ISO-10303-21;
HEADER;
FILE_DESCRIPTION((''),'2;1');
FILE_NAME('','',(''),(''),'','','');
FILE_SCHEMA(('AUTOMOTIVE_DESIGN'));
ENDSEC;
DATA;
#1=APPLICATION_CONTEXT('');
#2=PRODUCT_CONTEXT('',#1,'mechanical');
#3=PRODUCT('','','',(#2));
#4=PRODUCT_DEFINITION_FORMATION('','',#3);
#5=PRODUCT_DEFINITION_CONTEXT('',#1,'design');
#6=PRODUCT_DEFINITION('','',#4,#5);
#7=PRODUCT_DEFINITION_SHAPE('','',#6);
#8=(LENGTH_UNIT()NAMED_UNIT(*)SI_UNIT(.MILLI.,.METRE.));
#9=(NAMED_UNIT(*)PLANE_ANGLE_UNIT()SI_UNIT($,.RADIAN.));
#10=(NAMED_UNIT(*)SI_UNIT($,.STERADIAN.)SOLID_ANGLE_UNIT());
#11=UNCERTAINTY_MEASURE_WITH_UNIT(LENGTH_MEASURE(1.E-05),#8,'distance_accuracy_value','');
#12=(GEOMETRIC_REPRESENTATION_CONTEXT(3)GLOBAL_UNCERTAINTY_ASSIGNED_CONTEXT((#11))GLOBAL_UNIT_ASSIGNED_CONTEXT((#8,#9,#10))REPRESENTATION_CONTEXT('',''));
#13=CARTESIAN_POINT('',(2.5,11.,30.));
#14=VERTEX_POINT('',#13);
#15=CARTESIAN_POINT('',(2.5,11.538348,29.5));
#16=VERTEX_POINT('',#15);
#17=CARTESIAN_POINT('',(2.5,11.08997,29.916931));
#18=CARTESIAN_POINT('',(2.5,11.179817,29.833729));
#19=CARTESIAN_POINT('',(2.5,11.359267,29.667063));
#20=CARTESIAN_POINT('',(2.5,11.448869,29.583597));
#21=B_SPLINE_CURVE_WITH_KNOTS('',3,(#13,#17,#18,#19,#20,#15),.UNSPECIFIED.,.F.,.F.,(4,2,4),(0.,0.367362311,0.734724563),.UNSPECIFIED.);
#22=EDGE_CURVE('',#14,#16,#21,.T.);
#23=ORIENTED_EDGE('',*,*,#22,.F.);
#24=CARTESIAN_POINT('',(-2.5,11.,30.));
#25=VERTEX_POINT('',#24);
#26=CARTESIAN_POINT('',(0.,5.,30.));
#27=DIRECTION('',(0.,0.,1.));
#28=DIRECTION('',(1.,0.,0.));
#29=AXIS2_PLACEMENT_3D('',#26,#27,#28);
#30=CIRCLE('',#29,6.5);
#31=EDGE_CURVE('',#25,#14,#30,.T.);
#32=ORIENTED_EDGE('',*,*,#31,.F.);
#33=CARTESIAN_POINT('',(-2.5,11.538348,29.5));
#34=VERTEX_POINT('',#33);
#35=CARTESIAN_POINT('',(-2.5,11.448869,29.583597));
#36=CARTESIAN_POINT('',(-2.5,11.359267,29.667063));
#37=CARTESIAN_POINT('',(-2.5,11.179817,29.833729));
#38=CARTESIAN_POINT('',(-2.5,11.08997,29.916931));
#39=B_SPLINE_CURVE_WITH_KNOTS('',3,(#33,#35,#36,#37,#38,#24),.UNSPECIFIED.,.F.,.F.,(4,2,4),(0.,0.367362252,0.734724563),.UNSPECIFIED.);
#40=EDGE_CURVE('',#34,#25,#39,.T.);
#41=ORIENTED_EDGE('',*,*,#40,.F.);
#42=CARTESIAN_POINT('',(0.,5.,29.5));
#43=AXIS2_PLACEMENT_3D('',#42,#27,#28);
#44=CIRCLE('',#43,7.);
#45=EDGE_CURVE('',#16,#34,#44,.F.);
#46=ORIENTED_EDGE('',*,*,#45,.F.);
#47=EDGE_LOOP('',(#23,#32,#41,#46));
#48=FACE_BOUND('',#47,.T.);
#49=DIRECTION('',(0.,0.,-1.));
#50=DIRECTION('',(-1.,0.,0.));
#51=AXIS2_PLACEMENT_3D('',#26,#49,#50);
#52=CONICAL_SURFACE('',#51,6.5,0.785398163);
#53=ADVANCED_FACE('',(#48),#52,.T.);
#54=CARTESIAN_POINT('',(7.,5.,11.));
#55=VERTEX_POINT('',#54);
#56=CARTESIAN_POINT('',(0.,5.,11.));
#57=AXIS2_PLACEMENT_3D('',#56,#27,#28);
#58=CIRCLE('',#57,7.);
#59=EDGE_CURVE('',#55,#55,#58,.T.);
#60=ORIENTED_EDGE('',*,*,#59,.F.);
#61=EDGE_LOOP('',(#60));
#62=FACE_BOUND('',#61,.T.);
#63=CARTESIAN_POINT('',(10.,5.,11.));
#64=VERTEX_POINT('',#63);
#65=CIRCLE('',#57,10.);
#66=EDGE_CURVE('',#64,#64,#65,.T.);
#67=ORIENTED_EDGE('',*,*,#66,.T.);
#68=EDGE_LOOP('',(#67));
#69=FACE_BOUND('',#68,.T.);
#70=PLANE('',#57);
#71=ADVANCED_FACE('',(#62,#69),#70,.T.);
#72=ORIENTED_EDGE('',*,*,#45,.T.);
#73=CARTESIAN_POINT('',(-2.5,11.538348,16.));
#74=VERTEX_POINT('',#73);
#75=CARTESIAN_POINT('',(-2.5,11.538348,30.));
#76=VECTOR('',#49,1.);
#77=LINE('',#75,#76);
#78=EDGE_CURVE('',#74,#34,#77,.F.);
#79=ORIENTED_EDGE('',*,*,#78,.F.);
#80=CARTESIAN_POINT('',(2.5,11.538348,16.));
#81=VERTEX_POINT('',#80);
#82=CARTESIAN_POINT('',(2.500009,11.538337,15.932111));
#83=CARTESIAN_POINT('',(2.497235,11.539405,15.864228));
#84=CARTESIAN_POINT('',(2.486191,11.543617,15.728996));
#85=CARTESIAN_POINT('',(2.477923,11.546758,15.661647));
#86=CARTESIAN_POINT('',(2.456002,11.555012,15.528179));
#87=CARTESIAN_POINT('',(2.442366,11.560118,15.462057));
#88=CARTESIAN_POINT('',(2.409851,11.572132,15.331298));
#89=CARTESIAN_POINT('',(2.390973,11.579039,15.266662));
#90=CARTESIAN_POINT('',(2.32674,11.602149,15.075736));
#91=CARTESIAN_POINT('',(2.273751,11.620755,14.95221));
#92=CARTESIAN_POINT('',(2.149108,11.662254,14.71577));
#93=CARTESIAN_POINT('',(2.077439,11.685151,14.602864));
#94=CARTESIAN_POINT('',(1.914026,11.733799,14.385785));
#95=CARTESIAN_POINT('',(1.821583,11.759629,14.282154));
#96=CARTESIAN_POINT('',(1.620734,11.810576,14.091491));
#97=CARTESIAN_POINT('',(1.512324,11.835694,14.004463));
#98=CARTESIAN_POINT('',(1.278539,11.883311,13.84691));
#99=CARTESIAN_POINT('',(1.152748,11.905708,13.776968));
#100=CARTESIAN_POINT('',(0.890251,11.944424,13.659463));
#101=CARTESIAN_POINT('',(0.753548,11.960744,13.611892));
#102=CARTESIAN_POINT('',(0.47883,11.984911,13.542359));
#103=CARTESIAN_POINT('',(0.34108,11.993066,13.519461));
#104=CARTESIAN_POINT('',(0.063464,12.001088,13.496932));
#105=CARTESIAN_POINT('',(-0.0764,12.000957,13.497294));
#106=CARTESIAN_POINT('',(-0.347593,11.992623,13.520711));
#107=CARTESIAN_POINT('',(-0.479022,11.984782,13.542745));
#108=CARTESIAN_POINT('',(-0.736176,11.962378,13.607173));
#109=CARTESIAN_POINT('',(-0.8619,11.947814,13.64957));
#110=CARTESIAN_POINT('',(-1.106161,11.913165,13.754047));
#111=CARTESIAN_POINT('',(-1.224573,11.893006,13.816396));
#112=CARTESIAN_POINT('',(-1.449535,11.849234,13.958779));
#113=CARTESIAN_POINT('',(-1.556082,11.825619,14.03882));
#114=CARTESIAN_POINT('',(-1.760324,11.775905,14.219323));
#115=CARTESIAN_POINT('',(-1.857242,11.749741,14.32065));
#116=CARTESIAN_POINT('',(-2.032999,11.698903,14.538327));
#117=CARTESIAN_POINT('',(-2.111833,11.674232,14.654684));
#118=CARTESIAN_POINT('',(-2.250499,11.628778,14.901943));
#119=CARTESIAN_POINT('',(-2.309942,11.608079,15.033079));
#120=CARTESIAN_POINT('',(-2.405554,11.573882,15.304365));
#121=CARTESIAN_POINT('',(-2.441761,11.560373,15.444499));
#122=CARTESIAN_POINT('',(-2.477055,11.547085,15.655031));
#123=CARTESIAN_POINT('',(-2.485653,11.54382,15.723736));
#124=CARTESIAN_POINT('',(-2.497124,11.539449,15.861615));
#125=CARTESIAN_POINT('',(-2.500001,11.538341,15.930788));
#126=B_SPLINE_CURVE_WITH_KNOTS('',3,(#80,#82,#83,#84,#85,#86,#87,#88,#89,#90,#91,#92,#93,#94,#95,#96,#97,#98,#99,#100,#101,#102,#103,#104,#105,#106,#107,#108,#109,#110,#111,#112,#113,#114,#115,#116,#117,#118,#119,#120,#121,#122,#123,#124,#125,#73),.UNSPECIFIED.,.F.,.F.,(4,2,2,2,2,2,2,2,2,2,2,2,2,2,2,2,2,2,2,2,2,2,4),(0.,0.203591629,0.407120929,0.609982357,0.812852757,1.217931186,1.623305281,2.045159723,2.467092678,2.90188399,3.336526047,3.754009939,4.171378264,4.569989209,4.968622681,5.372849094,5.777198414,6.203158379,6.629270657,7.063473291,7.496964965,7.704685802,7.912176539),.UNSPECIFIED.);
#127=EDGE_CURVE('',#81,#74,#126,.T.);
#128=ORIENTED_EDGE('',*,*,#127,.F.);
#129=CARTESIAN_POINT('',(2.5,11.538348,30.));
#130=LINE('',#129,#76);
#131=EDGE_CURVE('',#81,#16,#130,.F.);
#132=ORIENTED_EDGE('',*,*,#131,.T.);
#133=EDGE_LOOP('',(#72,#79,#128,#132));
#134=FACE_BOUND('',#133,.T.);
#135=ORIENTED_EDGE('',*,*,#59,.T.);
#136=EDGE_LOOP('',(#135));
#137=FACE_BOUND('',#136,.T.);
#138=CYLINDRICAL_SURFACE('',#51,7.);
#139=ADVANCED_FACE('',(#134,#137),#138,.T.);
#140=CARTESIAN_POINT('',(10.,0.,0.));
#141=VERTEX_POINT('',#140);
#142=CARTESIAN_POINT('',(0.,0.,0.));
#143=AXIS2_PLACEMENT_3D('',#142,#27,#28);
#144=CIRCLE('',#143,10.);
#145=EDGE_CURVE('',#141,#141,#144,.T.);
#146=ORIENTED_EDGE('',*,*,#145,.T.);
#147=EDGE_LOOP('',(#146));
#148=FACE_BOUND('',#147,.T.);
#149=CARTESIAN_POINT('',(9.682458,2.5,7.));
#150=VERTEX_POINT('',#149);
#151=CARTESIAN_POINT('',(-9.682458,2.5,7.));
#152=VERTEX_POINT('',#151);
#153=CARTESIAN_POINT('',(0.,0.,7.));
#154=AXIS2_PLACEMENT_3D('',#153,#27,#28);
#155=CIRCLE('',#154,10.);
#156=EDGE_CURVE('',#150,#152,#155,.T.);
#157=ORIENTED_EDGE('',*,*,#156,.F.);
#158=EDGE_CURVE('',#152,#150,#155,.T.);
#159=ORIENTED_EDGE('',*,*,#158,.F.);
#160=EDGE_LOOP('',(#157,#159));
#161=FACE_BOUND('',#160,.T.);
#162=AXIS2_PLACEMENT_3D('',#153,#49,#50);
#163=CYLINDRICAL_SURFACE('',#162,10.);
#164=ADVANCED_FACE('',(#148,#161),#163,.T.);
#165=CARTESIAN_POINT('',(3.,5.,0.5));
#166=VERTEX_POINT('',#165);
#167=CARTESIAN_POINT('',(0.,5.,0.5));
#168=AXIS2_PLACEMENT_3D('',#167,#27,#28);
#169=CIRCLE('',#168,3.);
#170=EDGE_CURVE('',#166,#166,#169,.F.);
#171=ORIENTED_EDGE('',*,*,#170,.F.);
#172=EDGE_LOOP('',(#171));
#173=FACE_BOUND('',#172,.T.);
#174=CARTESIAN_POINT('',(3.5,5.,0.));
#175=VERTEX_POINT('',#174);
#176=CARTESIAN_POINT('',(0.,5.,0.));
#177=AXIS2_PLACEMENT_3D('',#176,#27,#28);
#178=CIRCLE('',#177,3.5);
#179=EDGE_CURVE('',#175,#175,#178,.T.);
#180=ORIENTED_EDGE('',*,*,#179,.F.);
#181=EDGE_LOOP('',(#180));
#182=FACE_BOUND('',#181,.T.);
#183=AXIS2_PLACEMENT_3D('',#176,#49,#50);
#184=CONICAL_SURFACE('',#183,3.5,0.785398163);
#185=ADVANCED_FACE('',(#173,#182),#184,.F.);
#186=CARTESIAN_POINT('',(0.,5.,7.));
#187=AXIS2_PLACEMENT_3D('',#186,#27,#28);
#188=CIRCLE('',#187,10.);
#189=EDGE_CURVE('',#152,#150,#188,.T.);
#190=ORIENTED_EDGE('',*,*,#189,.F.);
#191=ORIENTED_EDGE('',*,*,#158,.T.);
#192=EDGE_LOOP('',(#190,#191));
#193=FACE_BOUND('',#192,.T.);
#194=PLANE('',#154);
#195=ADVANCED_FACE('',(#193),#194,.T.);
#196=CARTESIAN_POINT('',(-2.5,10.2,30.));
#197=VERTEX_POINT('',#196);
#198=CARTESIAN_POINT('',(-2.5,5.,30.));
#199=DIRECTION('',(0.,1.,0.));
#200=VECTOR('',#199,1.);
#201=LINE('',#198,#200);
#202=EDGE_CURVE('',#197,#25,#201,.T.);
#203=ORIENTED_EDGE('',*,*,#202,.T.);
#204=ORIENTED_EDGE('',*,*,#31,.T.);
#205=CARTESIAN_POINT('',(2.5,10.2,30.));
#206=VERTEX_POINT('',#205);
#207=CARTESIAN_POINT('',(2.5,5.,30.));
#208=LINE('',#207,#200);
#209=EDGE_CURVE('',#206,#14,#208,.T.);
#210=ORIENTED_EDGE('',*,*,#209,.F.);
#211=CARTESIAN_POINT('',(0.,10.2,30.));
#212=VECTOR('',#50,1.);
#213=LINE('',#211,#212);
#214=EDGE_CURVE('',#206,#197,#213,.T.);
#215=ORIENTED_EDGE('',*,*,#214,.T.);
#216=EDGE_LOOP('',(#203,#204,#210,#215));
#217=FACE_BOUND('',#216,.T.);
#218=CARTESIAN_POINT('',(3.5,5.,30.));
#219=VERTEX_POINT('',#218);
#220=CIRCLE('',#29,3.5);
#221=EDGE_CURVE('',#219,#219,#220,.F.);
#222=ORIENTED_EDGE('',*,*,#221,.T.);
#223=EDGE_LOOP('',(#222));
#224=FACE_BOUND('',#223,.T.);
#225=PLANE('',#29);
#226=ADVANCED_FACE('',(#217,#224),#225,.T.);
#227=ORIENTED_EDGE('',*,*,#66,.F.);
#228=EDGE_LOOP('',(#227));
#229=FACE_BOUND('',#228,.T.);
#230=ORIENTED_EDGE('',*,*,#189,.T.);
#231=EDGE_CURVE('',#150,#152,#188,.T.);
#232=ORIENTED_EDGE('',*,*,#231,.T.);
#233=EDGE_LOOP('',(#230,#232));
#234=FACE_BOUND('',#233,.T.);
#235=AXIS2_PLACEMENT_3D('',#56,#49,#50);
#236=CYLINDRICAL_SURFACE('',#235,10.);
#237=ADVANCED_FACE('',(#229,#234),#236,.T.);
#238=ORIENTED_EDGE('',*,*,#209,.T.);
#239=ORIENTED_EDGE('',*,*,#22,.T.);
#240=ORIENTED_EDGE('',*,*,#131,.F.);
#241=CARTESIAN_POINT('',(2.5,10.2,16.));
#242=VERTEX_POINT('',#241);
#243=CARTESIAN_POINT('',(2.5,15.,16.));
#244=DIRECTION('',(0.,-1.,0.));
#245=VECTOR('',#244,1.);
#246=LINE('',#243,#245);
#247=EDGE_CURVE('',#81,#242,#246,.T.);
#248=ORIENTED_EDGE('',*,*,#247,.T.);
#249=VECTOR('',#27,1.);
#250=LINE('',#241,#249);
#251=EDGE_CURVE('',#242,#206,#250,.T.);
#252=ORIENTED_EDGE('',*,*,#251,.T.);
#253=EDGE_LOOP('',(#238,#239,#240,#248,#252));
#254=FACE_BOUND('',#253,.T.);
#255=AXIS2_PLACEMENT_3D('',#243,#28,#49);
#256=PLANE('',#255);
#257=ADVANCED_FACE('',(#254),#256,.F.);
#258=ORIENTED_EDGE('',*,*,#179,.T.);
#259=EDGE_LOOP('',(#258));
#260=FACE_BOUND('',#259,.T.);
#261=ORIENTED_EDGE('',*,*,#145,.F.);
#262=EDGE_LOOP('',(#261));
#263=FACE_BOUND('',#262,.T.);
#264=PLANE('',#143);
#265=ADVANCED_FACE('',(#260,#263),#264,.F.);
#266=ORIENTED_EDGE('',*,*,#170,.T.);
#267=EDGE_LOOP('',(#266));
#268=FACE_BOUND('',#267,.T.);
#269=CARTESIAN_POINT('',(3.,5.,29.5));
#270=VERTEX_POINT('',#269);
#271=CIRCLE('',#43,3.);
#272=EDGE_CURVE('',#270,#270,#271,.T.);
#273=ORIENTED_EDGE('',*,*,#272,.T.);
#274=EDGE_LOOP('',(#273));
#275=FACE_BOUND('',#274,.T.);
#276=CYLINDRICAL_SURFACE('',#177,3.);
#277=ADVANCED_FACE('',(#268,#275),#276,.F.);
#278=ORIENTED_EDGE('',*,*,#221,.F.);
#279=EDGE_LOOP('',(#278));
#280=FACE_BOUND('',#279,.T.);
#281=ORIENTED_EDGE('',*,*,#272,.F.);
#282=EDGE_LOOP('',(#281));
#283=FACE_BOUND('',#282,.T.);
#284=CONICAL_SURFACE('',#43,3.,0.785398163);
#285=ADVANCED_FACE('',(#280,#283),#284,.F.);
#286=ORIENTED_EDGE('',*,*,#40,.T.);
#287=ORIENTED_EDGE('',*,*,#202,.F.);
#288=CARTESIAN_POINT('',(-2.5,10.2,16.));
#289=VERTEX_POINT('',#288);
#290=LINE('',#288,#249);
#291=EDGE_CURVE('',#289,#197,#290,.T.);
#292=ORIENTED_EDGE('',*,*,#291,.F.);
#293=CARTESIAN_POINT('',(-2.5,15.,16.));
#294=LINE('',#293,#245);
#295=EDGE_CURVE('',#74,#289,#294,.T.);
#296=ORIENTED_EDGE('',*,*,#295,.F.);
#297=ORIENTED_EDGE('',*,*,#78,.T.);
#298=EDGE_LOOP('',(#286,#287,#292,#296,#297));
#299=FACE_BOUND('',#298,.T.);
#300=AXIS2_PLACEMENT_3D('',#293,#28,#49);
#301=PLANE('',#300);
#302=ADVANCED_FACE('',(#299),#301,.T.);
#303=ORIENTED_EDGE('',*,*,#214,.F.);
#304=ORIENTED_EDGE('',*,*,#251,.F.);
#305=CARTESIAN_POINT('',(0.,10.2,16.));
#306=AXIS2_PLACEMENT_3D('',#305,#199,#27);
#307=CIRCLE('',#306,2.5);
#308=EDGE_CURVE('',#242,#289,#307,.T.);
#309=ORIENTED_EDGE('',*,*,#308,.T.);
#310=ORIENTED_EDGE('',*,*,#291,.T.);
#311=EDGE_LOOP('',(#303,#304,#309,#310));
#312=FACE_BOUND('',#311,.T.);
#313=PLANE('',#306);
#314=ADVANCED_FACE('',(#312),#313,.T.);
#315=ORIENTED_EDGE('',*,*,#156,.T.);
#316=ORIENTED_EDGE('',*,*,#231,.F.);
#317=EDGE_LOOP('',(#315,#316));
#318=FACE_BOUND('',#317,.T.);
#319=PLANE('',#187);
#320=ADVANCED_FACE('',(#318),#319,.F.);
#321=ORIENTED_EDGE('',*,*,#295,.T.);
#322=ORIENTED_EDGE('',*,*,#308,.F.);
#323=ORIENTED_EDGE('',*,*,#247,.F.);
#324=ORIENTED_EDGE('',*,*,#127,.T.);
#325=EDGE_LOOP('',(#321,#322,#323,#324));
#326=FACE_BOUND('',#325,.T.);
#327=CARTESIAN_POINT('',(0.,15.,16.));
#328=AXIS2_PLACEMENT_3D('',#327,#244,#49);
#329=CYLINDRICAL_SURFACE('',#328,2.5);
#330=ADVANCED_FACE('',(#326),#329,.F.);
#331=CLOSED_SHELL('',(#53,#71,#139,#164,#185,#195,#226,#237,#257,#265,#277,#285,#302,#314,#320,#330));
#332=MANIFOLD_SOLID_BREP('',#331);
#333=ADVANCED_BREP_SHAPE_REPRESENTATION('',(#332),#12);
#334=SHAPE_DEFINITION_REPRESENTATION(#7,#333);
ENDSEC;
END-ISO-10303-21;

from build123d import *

# Parameters (mm, degrees)
SKETCH2_R           = 10
BOSS_EXTRUDE1_DEPTH = 7
SKETCH3_R           = 10
BOSS_EXTRUDE2_DEPTH = 4
SKETCH4_R           = 7
BOSS_EXTRUDE3_DEPTH = 19
SKETCH5_R           = 3
CUT_EXTRUDE1_DEPTH  = 31
CHAMFER1_SIZE       = 0.5
CUT_EXTRUDE3_START  = 10.2
CUT_EXTRUDE3_DEPTH  = 5.8
CHAMFER2_SIZE       = 0.5


with BuildPart() as part:
    # Sketch2 → Boss-Extrude1 (new body)
    with BuildSketch(Plane.XY):
        Circle(SKETCH2_R)
    extrude(amount=BOSS_EXTRUDE1_DEPTH)

    # Sketch3 → Boss-Extrude2 (add)
    with BuildSketch(Plane.XY.offset(7)):
        with Locations((0, 5)):
            Circle(SKETCH3_R)
    extrude(amount=BOSS_EXTRUDE2_DEPTH)

    # Sketch4 → Boss-Extrude3 (add)
    with BuildSketch(Plane.XY.offset(11)):
        with Locations((0, 5)):
            Circle(SKETCH4_R)
    extrude(amount=BOSS_EXTRUDE3_DEPTH)

    # Sketch5 → Cut-Extrude1 (cut, through all)
    with BuildSketch(Plane.XY.offset(30)):
        with Locations((0, 5)):
            Circle(SKETCH5_R)
    extrude(amount=-CUT_EXTRUDE1_DEPTH, mode=Mode.SUBTRACT)

    # Chamfer1
    chamfer1_edges = [part.edges().sort_by_distance(p)[0] for p in [
        (-3, 5, 0),
        (-3, 5, 30),
    ]]
    chamfer(chamfer1_edges, length=CHAMFER1_SIZE)

    # Sketch6 → Cut-Extrude3 (cut, through all)
    with BuildSketch(Plane(origin=(0, 0, 0), x_dir=(1, 0, 0), z_dir=(0, 1, 0)).offset(CUT_EXTRUDE3_START)):
        with BuildLine():
            Line((-2.5, -16), (-2.5, -31.730265833))
            Line((-2.5, -31.730265833), (2.5, -31.730265833))
            Line((2.5, -31.730265833), (2.5, -16))
            ThreePointArc((2.5, -16), (0, -13.5), (-2.5, -16))
        make_face()
    extrude(amount=CUT_EXTRUDE3_DEPTH, mode=Mode.SUBTRACT)

    # Chamfer2
    chamfer2_edges = [part.edges().sort_by_distance(p)[0] for p in [
        (-3.968626967, -0.766281297, 30),
    ]]
    chamfer(chamfer2_edges, length=CHAMFER2_SIZE)


solid = part.part
